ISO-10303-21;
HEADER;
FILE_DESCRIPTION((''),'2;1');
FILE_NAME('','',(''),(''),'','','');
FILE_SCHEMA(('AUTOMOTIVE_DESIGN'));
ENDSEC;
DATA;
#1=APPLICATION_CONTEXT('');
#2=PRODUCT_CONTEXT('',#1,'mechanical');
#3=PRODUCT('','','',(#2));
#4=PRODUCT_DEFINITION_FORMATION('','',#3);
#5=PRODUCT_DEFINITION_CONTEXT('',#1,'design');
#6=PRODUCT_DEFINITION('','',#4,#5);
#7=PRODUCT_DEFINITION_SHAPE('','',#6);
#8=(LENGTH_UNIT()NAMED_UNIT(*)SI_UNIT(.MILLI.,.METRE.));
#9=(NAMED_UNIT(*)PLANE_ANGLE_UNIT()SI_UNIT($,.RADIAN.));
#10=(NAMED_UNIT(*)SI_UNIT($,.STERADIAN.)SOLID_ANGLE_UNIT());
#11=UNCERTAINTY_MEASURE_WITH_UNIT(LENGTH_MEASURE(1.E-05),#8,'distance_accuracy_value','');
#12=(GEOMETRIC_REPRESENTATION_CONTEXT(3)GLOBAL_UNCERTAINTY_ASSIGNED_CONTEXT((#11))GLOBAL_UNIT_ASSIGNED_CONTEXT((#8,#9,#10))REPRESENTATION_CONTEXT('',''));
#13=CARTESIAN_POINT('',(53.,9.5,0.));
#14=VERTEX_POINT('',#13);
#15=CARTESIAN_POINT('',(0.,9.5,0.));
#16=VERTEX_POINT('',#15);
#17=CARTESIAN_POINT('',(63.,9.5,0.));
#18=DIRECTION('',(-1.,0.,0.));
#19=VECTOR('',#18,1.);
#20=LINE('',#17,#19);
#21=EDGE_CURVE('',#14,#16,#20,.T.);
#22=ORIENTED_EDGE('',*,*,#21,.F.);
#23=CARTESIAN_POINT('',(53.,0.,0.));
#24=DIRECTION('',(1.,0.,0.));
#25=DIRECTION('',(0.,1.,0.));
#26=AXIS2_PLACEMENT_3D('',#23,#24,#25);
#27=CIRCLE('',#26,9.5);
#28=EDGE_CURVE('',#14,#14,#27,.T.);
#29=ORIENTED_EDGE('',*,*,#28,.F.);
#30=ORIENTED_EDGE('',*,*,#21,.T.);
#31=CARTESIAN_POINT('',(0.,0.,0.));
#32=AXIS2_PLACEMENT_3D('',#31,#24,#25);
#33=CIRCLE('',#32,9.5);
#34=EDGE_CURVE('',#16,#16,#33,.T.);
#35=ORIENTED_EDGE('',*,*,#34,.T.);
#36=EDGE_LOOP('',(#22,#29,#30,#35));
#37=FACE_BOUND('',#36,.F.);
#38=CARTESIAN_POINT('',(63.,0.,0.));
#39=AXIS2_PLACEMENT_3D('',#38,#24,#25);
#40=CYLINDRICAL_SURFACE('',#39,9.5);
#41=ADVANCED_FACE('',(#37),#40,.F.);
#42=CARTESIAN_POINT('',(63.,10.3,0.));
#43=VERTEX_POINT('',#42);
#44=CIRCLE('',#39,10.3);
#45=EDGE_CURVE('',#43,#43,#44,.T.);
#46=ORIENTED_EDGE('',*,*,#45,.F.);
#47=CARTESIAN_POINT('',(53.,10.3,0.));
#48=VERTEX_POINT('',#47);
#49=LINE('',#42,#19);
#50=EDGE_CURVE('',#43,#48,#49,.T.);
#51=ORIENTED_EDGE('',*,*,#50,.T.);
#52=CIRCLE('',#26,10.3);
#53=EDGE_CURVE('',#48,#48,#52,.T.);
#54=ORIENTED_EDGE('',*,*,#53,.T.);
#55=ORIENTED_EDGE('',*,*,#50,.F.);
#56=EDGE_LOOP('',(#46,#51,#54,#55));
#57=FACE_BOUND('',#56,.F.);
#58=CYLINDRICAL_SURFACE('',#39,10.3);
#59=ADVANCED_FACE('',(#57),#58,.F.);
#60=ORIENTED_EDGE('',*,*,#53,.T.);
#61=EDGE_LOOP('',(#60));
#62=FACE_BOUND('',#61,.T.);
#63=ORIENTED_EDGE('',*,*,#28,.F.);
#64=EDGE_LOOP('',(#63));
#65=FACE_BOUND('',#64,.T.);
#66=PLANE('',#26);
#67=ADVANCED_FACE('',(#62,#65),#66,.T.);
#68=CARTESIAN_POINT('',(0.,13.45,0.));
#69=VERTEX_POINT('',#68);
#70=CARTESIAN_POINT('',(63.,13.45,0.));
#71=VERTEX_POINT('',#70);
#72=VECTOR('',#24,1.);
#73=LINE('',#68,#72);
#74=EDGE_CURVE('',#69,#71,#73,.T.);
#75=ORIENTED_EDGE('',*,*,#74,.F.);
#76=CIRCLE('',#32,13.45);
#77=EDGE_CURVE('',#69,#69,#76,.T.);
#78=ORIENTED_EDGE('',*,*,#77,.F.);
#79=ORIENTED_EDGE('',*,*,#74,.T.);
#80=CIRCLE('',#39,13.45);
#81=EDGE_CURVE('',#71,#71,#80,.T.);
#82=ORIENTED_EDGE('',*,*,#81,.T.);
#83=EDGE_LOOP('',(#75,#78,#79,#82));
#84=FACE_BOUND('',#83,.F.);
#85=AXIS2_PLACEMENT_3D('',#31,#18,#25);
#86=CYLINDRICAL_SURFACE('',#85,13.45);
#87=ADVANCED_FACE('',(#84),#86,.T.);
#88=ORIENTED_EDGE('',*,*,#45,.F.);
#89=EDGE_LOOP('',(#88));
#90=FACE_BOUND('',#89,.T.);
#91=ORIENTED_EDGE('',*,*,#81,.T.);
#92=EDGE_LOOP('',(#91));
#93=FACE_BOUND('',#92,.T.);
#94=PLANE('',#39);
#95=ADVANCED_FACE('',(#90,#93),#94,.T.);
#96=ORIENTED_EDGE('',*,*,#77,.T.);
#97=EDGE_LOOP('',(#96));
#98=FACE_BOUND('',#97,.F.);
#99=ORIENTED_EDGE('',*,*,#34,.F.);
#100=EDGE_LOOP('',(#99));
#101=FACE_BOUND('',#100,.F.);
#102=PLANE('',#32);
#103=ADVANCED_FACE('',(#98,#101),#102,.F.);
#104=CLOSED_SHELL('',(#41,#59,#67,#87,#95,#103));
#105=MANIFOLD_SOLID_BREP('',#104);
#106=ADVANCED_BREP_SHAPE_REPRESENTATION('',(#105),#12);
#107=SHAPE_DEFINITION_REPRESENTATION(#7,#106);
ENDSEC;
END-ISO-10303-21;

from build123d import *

# Parameters (mm, degrees)
F0_R     = 13.45
F1_DEPTH = 63
F2_R     = 9.5
F3_DEPTH = 63.001
F4_R     = 10.3
F5_DEPTH = 10


with BuildPart() as f1:
    # F0 (on Right) → F1 (new body)
    with BuildSketch(Plane.YZ):
        Circle(F0_R)
    extrude(amount=F1_DEPTH)

    # F2 (on face) → F3 (cut, through all)
    with BuildSketch(Plane.YZ.offset(63)):
        Circle(F2_R)
    extrude(amount=-F3_DEPTH, mode=Mode.SUBTRACT)

    # F4 (on face) → F5 (cut)
    with BuildSketch(Plane.YZ.offset(63)):
        Circle(F4_R)
    extrude(amount=-F5_DEPTH, mode=Mode.SUBTRACT)


solid = f1.part
